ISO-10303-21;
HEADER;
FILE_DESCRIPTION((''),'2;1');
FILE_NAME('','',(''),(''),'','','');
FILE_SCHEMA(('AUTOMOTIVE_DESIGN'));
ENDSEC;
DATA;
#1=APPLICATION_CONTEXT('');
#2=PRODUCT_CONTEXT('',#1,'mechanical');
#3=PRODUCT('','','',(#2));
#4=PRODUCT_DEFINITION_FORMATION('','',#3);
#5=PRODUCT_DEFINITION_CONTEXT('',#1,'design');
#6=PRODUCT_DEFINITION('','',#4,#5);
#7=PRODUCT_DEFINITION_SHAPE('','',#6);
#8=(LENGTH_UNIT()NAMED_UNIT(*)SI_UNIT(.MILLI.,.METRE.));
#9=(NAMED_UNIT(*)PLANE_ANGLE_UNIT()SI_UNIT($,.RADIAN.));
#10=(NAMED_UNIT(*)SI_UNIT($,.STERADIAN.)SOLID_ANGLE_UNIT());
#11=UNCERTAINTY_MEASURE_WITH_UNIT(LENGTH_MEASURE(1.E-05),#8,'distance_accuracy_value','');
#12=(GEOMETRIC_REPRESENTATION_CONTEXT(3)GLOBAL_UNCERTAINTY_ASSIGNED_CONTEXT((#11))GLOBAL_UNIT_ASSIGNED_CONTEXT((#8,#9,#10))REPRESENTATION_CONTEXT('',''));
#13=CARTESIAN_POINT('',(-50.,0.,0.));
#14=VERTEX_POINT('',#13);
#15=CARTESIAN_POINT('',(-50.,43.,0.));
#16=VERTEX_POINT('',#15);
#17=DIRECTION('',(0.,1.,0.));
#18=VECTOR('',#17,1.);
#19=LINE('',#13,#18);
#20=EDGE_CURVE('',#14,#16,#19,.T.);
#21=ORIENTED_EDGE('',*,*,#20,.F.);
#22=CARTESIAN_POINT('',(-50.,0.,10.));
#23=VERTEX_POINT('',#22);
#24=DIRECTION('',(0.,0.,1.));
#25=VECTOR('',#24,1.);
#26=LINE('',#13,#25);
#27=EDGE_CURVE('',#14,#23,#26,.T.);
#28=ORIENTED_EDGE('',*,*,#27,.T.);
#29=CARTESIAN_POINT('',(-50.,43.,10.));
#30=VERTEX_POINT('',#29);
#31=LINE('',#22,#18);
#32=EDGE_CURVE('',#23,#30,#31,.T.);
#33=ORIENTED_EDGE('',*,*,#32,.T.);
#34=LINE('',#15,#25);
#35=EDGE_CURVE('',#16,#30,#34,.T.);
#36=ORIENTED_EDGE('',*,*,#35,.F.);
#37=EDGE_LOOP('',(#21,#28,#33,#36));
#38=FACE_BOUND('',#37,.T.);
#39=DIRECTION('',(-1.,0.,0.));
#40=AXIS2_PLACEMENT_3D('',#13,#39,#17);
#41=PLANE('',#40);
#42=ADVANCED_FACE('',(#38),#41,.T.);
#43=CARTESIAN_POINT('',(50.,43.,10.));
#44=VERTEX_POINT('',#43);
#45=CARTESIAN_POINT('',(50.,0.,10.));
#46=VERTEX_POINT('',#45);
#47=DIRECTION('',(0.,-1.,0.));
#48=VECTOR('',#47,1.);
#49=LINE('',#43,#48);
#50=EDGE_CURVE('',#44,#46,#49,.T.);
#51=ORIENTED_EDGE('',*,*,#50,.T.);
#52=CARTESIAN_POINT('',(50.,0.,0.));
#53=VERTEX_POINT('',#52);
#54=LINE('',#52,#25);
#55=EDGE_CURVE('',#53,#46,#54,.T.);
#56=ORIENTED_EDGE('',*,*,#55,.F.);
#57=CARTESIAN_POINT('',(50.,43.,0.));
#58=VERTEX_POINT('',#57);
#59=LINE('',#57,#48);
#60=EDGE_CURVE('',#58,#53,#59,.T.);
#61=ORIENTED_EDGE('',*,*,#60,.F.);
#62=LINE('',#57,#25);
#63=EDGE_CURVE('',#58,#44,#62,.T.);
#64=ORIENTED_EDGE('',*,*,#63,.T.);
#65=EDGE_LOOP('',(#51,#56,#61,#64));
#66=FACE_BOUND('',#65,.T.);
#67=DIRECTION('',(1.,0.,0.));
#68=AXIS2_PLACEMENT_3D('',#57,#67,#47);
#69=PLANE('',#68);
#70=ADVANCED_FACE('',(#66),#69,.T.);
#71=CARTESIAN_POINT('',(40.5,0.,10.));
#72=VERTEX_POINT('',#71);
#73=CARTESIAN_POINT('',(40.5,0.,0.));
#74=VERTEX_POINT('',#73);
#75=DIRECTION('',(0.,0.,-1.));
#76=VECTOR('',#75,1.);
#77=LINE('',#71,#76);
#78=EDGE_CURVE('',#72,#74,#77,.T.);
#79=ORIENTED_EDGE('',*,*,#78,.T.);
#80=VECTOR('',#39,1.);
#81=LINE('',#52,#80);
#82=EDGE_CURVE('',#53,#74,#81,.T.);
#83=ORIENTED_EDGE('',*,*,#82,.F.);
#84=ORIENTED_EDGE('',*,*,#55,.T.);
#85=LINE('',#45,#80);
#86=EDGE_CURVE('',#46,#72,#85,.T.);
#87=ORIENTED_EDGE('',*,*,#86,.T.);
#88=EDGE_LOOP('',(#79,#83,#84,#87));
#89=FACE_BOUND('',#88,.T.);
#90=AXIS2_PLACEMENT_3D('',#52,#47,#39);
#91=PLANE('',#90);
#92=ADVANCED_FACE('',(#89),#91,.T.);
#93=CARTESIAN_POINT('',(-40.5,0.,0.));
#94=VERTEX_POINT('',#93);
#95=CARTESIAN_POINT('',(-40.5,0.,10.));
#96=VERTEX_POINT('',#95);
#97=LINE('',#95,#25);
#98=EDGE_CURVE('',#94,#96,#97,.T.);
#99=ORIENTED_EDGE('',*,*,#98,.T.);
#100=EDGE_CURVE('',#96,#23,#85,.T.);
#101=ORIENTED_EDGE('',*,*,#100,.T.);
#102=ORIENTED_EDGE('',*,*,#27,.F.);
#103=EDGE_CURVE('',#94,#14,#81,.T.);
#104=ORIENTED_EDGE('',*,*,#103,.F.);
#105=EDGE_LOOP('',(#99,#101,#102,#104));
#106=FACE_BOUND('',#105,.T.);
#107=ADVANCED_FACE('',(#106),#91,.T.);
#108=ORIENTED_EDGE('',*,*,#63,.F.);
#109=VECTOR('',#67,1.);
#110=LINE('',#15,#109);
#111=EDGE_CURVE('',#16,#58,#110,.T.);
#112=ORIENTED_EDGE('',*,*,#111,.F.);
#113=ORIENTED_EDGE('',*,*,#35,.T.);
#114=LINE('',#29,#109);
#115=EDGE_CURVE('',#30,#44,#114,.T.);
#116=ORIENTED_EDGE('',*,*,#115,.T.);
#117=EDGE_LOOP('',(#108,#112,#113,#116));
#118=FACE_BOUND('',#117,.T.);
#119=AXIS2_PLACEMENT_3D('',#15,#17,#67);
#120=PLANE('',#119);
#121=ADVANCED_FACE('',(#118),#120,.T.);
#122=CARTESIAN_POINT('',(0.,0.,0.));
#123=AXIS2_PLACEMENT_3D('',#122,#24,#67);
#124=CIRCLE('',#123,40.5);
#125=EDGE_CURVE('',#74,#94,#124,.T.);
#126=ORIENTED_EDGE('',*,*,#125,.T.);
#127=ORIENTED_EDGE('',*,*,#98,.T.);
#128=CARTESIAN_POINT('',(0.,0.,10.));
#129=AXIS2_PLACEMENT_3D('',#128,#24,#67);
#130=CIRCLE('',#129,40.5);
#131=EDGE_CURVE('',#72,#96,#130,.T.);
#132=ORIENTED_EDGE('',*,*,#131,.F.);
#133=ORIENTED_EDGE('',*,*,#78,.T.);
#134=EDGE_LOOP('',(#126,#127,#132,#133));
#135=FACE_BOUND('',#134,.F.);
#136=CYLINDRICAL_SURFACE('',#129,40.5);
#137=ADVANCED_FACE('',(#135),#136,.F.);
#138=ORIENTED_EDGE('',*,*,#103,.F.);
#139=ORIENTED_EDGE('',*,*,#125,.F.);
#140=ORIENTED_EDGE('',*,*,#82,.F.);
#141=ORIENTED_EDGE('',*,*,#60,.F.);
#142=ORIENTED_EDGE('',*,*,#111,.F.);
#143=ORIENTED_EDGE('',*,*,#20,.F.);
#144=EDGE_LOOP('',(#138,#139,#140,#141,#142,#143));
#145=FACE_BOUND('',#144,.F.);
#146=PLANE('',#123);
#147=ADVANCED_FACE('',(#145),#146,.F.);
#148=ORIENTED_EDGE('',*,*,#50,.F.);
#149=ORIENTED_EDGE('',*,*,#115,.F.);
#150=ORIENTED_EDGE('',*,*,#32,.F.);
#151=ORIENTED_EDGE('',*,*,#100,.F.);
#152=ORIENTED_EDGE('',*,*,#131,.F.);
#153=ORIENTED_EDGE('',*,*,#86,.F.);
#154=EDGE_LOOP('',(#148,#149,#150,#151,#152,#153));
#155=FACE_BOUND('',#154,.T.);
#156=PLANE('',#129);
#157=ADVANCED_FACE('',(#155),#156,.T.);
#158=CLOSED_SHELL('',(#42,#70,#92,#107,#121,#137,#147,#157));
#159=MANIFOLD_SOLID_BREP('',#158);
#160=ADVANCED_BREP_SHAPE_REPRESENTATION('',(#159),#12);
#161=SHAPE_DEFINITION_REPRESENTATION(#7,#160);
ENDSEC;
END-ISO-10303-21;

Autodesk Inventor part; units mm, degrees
ref_plane "YZ Plane" through (0, 0, 0) normal (1, 0, 0) x (0, 1, 0)
ref_plane "XZ Plane" through (0, 0, 0) normal (0, 1, 0) x (-1, 0, 0)
ref_plane "XY Plane" through (0, 0, 0) normal (0, 0, 1) x (1, 0, 0)
sketch "Sketch13" plane through (0, 0, 0) normal (0, 0, 1) x (1, 0, 0)
  line L0 (-50, 43) -> (50, 43)
  line L1 (50, 43) -> (50, 0)
  line L2 (50, 0) -> (-50, 0)
  line L3 (-50, 0) -> (-50, 43)
  line L4 (-50, 43) -> (50, 0) construction
  line L5 (50, 43) -> (-50, 0) construction
  point P0 (0, 0)
  point P1 (0, 21.5)
  dimension "d42" = 100
  dimension "d43" = 43
extrude "Extrusion11" add sketch "Sketch13" along normal blind 10
sketch "Sketch14" plane through (0, 0, 10) normal (0, 0, 1) x (1, 0, 0)
  circle A0 centre (0, 0) radius 40.5
  dimension "d46" = 81
extrude "Extrusion12" cut sketch "Sketch14" against normal blind 50
properties part number "pipe_holder_v03"
